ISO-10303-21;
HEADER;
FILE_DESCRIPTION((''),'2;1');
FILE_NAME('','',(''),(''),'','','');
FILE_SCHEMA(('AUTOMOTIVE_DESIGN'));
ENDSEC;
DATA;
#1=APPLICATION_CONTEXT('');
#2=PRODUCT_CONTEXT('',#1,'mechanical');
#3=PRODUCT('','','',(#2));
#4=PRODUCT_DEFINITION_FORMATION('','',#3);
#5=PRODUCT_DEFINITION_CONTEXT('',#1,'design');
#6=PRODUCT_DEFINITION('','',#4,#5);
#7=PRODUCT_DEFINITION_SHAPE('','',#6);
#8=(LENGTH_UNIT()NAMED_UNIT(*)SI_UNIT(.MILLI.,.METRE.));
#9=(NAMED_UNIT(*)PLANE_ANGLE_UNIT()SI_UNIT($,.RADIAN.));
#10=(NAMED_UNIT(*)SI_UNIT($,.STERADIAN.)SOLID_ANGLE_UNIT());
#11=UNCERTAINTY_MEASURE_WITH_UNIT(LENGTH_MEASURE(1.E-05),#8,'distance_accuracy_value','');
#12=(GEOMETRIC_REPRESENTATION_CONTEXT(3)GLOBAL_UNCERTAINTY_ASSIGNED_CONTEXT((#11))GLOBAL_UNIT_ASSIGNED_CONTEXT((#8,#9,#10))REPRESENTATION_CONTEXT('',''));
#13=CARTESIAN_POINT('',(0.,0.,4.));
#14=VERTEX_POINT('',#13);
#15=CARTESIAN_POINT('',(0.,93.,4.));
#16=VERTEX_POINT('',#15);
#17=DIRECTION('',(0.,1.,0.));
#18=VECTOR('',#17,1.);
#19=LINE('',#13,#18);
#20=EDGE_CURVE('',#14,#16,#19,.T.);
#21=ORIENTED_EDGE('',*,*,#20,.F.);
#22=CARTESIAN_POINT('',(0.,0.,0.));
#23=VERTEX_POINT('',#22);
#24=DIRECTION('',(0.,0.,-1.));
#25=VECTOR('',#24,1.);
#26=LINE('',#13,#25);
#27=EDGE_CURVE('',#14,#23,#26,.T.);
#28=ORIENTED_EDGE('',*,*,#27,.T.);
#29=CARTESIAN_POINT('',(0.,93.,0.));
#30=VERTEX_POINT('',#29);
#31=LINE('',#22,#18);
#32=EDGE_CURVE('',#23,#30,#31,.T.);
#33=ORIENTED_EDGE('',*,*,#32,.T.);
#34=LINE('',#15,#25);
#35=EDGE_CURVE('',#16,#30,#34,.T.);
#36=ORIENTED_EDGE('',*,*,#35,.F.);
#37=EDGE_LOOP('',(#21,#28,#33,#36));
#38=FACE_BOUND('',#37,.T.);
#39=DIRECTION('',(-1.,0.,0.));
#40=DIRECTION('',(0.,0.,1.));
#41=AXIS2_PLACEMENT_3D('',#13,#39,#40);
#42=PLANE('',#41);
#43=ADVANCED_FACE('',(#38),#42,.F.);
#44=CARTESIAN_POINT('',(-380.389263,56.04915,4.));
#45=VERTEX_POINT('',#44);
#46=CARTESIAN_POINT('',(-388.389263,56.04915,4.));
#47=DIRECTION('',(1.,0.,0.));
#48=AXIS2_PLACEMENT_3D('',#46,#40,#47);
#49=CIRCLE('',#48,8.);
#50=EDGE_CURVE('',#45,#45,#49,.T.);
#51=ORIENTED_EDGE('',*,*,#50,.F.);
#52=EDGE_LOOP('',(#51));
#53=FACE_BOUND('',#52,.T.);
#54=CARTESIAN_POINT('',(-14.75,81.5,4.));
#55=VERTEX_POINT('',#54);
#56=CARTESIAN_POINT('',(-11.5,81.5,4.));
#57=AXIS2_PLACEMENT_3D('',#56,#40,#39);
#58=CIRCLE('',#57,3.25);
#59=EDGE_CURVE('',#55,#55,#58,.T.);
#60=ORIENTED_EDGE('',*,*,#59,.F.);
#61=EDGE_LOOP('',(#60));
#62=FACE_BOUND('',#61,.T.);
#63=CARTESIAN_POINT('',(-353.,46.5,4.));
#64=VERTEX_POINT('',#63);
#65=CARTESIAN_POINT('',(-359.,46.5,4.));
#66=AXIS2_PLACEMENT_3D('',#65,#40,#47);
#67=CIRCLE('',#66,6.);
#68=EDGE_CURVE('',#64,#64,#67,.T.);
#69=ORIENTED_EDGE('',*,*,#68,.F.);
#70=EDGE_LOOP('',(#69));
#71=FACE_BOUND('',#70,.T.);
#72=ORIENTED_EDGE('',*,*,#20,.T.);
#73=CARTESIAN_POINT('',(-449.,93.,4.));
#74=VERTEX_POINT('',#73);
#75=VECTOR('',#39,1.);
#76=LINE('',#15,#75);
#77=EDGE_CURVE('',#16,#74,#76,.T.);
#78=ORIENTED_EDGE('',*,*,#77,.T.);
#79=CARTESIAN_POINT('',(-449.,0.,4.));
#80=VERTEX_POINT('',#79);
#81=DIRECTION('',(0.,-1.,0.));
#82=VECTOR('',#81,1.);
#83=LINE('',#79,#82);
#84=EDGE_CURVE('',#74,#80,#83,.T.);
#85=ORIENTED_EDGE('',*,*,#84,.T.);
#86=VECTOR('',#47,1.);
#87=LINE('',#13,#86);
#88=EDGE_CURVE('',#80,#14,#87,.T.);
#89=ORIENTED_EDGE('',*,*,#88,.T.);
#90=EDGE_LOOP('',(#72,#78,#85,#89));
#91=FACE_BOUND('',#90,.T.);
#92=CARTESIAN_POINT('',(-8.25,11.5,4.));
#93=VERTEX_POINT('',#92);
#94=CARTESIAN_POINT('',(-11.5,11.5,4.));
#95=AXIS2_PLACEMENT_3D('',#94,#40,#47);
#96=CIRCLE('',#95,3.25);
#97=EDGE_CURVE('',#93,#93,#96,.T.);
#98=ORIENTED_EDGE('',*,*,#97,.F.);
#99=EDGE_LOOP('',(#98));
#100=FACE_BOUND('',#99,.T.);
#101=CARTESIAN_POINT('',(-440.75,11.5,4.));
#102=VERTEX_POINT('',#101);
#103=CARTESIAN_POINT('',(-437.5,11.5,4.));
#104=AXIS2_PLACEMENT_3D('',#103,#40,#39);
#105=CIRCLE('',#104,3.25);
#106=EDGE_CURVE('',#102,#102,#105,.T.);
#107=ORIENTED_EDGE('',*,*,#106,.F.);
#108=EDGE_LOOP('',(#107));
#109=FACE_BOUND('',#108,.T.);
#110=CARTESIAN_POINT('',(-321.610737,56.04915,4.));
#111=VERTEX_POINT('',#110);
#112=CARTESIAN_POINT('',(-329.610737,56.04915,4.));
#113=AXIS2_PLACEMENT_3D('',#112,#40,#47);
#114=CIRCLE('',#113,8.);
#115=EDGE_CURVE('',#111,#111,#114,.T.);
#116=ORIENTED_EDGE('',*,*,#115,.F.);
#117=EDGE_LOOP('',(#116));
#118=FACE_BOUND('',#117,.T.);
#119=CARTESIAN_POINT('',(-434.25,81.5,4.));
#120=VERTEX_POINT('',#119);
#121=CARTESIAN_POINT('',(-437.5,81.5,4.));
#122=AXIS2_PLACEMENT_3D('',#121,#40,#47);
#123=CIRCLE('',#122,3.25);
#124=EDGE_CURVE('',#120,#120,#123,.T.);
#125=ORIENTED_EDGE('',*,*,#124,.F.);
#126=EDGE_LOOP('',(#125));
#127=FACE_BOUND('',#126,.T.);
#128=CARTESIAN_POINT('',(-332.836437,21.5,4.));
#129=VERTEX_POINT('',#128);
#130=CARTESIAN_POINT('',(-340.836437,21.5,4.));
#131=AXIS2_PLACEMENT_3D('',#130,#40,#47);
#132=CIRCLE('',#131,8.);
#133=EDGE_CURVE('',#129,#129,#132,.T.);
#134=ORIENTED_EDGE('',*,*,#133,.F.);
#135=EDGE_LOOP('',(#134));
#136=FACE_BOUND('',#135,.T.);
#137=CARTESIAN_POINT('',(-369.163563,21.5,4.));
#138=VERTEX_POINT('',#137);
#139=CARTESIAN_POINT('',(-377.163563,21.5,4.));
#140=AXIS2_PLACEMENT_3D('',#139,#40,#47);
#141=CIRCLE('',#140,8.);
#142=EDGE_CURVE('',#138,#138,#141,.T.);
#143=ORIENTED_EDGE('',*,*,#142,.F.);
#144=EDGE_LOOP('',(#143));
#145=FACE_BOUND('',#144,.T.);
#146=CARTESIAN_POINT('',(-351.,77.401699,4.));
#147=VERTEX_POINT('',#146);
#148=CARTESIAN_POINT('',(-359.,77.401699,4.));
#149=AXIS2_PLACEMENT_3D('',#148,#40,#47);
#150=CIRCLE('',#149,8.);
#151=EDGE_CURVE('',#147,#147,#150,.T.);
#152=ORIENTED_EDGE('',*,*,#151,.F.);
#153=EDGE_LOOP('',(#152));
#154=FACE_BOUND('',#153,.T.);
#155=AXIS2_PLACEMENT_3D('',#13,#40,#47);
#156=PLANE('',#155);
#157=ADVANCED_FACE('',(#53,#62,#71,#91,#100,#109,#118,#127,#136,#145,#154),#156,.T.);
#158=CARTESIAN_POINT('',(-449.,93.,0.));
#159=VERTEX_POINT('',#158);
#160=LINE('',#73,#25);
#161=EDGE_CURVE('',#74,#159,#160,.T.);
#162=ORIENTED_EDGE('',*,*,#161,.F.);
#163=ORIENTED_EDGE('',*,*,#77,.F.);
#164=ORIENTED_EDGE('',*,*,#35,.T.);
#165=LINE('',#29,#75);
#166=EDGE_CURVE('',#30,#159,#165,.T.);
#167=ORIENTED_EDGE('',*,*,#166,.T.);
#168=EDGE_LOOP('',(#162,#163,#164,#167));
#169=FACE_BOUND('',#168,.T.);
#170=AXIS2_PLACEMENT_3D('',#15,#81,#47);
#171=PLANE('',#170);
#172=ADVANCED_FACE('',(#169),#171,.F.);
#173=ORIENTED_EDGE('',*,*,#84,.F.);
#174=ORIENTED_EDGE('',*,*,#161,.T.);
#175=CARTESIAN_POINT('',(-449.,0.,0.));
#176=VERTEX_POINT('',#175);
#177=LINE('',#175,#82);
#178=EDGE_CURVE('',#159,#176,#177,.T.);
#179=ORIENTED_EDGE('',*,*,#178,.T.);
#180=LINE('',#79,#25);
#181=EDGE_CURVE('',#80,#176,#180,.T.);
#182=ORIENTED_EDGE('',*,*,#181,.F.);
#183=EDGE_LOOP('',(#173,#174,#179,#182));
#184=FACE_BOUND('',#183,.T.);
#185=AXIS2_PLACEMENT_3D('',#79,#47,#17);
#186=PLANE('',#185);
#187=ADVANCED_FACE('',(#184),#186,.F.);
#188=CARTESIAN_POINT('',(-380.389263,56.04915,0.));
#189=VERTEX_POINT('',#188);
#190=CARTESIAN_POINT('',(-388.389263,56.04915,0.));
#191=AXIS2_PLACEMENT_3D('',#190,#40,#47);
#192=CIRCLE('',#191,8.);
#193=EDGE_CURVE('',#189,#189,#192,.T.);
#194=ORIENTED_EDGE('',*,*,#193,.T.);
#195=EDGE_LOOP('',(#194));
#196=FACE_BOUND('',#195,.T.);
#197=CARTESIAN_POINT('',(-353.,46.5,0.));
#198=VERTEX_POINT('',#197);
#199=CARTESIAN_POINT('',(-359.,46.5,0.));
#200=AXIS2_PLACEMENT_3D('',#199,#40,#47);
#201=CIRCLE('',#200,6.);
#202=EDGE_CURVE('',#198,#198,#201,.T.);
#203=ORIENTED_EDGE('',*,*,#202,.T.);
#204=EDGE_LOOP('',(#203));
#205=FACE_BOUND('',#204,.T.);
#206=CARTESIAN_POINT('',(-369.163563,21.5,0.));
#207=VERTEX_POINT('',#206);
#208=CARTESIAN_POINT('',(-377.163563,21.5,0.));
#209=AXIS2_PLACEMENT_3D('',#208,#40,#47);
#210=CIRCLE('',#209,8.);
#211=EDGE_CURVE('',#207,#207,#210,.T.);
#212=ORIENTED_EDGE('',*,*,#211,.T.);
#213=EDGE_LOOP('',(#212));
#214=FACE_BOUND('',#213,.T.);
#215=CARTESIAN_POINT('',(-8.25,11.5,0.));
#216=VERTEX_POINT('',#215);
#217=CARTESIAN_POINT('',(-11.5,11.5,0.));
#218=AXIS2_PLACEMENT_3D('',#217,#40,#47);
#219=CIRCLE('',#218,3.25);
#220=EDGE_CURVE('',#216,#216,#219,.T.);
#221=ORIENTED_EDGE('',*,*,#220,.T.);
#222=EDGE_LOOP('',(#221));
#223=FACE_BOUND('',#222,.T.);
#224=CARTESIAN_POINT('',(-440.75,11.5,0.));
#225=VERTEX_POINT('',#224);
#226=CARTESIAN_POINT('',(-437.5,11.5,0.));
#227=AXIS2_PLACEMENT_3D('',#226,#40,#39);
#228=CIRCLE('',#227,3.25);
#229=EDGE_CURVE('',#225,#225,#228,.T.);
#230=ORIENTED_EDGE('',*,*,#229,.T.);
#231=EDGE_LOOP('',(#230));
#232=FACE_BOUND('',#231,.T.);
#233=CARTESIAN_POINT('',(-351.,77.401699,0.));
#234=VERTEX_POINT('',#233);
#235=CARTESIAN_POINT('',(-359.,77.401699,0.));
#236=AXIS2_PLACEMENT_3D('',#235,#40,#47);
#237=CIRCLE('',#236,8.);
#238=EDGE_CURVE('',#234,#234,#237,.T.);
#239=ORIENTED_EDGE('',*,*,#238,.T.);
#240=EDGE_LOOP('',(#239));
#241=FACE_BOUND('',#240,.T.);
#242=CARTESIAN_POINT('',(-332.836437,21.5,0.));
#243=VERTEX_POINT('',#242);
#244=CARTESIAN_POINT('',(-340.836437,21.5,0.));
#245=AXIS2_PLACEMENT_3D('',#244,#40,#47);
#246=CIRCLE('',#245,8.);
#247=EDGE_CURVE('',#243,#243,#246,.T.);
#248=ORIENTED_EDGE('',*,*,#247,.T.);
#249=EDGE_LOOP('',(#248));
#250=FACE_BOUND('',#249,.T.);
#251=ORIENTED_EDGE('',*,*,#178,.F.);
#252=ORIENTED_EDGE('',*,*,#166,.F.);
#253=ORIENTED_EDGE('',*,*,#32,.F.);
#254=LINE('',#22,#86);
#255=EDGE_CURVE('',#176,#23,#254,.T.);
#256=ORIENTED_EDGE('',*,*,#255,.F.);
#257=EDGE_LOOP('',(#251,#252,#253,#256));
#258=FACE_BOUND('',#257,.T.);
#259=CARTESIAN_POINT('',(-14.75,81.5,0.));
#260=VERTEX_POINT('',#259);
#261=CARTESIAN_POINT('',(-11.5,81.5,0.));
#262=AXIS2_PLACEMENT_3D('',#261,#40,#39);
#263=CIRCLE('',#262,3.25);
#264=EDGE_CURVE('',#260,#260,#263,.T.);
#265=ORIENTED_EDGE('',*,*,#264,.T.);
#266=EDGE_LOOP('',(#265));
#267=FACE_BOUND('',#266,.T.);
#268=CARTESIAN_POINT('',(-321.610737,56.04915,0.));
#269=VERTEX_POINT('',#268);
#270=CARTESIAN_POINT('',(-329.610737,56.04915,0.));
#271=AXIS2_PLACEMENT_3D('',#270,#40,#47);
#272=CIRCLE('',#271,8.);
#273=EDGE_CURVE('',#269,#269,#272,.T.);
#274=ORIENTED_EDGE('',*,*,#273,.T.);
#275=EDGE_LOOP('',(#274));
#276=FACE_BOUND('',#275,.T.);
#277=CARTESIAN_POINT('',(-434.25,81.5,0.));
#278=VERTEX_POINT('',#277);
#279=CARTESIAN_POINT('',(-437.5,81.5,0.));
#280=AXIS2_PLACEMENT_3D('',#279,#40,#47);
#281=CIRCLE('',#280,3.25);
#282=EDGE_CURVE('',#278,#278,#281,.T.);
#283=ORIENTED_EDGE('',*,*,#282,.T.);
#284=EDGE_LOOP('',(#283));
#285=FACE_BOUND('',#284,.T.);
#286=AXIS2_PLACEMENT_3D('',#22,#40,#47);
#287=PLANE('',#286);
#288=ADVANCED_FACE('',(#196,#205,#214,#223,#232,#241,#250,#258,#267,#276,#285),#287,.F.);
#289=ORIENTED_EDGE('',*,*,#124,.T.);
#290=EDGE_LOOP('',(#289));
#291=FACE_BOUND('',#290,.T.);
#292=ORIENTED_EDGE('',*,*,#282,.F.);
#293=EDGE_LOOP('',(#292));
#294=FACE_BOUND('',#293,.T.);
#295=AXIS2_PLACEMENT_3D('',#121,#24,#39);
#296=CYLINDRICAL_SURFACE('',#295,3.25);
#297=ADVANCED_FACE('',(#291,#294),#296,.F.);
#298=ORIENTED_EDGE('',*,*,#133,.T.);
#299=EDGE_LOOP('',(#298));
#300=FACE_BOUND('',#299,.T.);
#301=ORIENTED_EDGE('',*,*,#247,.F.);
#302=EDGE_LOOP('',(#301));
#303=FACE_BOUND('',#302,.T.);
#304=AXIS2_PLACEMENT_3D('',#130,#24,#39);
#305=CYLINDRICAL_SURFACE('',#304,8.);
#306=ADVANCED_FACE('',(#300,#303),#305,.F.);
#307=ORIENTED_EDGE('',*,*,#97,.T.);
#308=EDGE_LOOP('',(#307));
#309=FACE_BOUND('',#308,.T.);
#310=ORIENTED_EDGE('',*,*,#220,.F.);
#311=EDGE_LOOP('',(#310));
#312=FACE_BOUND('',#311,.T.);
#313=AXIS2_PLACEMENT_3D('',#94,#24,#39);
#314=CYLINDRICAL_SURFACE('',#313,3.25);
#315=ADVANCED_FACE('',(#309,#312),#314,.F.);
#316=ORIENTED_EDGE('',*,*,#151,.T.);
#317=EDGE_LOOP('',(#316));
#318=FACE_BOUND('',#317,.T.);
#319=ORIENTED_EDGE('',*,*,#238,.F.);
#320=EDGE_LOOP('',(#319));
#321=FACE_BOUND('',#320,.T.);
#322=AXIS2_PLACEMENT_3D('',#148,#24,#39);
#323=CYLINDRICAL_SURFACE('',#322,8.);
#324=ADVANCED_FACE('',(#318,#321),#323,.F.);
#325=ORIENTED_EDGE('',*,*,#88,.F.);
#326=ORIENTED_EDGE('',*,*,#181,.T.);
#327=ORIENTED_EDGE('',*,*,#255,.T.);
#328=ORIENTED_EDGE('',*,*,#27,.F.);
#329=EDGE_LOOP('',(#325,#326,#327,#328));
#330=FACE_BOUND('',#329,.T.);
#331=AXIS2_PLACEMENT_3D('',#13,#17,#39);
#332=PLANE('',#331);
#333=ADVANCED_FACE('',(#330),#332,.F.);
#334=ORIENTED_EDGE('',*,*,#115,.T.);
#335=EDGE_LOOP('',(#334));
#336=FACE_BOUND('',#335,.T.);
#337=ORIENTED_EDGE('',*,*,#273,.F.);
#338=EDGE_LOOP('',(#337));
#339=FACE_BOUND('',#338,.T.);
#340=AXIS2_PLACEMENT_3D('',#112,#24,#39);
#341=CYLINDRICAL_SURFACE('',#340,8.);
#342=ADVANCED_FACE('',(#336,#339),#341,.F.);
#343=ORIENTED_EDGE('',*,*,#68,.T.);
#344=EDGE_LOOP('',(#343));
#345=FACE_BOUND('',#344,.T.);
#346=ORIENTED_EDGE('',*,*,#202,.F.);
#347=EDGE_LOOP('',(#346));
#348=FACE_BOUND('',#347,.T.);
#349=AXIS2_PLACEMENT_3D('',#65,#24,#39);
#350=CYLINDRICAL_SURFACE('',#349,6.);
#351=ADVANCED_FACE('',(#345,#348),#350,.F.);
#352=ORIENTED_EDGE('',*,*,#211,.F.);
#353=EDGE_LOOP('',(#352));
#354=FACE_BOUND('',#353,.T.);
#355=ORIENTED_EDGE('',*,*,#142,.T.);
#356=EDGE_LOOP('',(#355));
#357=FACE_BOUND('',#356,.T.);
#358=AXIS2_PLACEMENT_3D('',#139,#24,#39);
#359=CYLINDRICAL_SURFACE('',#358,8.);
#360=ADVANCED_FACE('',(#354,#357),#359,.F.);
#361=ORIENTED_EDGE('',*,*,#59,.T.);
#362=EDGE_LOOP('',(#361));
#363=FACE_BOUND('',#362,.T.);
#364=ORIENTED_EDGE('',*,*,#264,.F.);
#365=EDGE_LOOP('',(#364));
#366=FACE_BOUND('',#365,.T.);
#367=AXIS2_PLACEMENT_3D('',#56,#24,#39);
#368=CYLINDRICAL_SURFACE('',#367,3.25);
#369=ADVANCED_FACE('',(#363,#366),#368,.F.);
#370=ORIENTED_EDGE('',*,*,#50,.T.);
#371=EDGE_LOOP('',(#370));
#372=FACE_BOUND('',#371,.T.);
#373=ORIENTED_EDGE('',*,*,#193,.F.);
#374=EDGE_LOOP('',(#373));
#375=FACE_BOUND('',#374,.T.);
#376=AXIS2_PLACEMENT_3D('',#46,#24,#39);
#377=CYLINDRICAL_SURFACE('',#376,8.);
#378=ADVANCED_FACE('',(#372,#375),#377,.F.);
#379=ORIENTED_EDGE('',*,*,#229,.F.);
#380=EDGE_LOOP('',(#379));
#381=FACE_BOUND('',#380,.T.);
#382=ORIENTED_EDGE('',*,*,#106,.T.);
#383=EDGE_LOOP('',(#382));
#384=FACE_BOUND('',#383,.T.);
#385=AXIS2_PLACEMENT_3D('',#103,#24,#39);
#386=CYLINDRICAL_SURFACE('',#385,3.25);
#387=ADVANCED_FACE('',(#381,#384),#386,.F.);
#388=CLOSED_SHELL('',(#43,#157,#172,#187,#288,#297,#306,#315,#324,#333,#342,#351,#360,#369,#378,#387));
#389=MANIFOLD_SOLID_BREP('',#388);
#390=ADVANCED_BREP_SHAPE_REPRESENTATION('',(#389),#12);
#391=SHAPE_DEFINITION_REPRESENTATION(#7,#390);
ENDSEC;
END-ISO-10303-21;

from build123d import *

# Parameters (mm, degrees)
SCHIZZO1_W                   = 449
SCHIZZO1_H                   = 93
SCHIZZO1_R                   = 8
SCHIZZO1_R_2                 = 3.25
SCHIZZO1_R_3                 = 6
ESTRUSIONE_ESTRUSIONE1_DEPTH = 4


with BuildPart() as part:
    # Schizzo1 → Estrusione-Estrusione1 (new body)
    with BuildSketch(Plane.XY):
        with Locations((-224.5, 46.5)):
            Rectangle(SCHIZZO1_W, SCHIZZO1_H)
        with Locations((-388.389262615, 56.049150281)):
            Circle(SCHIZZO1_R, mode=Mode.SUBTRACT)
        with Locations((-437.5, 81.5)):
            Circle(SCHIZZO1_R_2, mode=Mode.SUBTRACT)
        with Locations((-11.5, 81.5)):
            Circle(SCHIZZO1_R_2, mode=Mode.SUBTRACT)
        with Locations((-11.5, 11.5)):
            Circle(SCHIZZO1_R_2, mode=Mode.SUBTRACT)
        with Locations((-437.5, 11.5)):
            Circle(SCHIZZO1_R_2, mode=Mode.SUBTRACT)
        with Locations((-359, 77.401699437)):
            Circle(SCHIZZO1_R, mode=Mode.SUBTRACT)
        with Locations((-329.610737385, 56.049150281)):
            Circle(SCHIZZO1_R, mode=Mode.SUBTRACT)
        with Locations((-340.8364368, 21.5)):
            Circle(SCHIZZO1_R, mode=Mode.SUBTRACT)
        with Locations((-377.1635632, 21.5)):
            Circle(SCHIZZO1_R, mode=Mode.SUBTRACT)
        with Locations((-359, 46.5)):
            Circle(SCHIZZO1_R_3, mode=Mode.SUBTRACT)
    extrude(amount=ESTRUSIONE_ESTRUSIONE1_DEPTH)


solid = part.part
